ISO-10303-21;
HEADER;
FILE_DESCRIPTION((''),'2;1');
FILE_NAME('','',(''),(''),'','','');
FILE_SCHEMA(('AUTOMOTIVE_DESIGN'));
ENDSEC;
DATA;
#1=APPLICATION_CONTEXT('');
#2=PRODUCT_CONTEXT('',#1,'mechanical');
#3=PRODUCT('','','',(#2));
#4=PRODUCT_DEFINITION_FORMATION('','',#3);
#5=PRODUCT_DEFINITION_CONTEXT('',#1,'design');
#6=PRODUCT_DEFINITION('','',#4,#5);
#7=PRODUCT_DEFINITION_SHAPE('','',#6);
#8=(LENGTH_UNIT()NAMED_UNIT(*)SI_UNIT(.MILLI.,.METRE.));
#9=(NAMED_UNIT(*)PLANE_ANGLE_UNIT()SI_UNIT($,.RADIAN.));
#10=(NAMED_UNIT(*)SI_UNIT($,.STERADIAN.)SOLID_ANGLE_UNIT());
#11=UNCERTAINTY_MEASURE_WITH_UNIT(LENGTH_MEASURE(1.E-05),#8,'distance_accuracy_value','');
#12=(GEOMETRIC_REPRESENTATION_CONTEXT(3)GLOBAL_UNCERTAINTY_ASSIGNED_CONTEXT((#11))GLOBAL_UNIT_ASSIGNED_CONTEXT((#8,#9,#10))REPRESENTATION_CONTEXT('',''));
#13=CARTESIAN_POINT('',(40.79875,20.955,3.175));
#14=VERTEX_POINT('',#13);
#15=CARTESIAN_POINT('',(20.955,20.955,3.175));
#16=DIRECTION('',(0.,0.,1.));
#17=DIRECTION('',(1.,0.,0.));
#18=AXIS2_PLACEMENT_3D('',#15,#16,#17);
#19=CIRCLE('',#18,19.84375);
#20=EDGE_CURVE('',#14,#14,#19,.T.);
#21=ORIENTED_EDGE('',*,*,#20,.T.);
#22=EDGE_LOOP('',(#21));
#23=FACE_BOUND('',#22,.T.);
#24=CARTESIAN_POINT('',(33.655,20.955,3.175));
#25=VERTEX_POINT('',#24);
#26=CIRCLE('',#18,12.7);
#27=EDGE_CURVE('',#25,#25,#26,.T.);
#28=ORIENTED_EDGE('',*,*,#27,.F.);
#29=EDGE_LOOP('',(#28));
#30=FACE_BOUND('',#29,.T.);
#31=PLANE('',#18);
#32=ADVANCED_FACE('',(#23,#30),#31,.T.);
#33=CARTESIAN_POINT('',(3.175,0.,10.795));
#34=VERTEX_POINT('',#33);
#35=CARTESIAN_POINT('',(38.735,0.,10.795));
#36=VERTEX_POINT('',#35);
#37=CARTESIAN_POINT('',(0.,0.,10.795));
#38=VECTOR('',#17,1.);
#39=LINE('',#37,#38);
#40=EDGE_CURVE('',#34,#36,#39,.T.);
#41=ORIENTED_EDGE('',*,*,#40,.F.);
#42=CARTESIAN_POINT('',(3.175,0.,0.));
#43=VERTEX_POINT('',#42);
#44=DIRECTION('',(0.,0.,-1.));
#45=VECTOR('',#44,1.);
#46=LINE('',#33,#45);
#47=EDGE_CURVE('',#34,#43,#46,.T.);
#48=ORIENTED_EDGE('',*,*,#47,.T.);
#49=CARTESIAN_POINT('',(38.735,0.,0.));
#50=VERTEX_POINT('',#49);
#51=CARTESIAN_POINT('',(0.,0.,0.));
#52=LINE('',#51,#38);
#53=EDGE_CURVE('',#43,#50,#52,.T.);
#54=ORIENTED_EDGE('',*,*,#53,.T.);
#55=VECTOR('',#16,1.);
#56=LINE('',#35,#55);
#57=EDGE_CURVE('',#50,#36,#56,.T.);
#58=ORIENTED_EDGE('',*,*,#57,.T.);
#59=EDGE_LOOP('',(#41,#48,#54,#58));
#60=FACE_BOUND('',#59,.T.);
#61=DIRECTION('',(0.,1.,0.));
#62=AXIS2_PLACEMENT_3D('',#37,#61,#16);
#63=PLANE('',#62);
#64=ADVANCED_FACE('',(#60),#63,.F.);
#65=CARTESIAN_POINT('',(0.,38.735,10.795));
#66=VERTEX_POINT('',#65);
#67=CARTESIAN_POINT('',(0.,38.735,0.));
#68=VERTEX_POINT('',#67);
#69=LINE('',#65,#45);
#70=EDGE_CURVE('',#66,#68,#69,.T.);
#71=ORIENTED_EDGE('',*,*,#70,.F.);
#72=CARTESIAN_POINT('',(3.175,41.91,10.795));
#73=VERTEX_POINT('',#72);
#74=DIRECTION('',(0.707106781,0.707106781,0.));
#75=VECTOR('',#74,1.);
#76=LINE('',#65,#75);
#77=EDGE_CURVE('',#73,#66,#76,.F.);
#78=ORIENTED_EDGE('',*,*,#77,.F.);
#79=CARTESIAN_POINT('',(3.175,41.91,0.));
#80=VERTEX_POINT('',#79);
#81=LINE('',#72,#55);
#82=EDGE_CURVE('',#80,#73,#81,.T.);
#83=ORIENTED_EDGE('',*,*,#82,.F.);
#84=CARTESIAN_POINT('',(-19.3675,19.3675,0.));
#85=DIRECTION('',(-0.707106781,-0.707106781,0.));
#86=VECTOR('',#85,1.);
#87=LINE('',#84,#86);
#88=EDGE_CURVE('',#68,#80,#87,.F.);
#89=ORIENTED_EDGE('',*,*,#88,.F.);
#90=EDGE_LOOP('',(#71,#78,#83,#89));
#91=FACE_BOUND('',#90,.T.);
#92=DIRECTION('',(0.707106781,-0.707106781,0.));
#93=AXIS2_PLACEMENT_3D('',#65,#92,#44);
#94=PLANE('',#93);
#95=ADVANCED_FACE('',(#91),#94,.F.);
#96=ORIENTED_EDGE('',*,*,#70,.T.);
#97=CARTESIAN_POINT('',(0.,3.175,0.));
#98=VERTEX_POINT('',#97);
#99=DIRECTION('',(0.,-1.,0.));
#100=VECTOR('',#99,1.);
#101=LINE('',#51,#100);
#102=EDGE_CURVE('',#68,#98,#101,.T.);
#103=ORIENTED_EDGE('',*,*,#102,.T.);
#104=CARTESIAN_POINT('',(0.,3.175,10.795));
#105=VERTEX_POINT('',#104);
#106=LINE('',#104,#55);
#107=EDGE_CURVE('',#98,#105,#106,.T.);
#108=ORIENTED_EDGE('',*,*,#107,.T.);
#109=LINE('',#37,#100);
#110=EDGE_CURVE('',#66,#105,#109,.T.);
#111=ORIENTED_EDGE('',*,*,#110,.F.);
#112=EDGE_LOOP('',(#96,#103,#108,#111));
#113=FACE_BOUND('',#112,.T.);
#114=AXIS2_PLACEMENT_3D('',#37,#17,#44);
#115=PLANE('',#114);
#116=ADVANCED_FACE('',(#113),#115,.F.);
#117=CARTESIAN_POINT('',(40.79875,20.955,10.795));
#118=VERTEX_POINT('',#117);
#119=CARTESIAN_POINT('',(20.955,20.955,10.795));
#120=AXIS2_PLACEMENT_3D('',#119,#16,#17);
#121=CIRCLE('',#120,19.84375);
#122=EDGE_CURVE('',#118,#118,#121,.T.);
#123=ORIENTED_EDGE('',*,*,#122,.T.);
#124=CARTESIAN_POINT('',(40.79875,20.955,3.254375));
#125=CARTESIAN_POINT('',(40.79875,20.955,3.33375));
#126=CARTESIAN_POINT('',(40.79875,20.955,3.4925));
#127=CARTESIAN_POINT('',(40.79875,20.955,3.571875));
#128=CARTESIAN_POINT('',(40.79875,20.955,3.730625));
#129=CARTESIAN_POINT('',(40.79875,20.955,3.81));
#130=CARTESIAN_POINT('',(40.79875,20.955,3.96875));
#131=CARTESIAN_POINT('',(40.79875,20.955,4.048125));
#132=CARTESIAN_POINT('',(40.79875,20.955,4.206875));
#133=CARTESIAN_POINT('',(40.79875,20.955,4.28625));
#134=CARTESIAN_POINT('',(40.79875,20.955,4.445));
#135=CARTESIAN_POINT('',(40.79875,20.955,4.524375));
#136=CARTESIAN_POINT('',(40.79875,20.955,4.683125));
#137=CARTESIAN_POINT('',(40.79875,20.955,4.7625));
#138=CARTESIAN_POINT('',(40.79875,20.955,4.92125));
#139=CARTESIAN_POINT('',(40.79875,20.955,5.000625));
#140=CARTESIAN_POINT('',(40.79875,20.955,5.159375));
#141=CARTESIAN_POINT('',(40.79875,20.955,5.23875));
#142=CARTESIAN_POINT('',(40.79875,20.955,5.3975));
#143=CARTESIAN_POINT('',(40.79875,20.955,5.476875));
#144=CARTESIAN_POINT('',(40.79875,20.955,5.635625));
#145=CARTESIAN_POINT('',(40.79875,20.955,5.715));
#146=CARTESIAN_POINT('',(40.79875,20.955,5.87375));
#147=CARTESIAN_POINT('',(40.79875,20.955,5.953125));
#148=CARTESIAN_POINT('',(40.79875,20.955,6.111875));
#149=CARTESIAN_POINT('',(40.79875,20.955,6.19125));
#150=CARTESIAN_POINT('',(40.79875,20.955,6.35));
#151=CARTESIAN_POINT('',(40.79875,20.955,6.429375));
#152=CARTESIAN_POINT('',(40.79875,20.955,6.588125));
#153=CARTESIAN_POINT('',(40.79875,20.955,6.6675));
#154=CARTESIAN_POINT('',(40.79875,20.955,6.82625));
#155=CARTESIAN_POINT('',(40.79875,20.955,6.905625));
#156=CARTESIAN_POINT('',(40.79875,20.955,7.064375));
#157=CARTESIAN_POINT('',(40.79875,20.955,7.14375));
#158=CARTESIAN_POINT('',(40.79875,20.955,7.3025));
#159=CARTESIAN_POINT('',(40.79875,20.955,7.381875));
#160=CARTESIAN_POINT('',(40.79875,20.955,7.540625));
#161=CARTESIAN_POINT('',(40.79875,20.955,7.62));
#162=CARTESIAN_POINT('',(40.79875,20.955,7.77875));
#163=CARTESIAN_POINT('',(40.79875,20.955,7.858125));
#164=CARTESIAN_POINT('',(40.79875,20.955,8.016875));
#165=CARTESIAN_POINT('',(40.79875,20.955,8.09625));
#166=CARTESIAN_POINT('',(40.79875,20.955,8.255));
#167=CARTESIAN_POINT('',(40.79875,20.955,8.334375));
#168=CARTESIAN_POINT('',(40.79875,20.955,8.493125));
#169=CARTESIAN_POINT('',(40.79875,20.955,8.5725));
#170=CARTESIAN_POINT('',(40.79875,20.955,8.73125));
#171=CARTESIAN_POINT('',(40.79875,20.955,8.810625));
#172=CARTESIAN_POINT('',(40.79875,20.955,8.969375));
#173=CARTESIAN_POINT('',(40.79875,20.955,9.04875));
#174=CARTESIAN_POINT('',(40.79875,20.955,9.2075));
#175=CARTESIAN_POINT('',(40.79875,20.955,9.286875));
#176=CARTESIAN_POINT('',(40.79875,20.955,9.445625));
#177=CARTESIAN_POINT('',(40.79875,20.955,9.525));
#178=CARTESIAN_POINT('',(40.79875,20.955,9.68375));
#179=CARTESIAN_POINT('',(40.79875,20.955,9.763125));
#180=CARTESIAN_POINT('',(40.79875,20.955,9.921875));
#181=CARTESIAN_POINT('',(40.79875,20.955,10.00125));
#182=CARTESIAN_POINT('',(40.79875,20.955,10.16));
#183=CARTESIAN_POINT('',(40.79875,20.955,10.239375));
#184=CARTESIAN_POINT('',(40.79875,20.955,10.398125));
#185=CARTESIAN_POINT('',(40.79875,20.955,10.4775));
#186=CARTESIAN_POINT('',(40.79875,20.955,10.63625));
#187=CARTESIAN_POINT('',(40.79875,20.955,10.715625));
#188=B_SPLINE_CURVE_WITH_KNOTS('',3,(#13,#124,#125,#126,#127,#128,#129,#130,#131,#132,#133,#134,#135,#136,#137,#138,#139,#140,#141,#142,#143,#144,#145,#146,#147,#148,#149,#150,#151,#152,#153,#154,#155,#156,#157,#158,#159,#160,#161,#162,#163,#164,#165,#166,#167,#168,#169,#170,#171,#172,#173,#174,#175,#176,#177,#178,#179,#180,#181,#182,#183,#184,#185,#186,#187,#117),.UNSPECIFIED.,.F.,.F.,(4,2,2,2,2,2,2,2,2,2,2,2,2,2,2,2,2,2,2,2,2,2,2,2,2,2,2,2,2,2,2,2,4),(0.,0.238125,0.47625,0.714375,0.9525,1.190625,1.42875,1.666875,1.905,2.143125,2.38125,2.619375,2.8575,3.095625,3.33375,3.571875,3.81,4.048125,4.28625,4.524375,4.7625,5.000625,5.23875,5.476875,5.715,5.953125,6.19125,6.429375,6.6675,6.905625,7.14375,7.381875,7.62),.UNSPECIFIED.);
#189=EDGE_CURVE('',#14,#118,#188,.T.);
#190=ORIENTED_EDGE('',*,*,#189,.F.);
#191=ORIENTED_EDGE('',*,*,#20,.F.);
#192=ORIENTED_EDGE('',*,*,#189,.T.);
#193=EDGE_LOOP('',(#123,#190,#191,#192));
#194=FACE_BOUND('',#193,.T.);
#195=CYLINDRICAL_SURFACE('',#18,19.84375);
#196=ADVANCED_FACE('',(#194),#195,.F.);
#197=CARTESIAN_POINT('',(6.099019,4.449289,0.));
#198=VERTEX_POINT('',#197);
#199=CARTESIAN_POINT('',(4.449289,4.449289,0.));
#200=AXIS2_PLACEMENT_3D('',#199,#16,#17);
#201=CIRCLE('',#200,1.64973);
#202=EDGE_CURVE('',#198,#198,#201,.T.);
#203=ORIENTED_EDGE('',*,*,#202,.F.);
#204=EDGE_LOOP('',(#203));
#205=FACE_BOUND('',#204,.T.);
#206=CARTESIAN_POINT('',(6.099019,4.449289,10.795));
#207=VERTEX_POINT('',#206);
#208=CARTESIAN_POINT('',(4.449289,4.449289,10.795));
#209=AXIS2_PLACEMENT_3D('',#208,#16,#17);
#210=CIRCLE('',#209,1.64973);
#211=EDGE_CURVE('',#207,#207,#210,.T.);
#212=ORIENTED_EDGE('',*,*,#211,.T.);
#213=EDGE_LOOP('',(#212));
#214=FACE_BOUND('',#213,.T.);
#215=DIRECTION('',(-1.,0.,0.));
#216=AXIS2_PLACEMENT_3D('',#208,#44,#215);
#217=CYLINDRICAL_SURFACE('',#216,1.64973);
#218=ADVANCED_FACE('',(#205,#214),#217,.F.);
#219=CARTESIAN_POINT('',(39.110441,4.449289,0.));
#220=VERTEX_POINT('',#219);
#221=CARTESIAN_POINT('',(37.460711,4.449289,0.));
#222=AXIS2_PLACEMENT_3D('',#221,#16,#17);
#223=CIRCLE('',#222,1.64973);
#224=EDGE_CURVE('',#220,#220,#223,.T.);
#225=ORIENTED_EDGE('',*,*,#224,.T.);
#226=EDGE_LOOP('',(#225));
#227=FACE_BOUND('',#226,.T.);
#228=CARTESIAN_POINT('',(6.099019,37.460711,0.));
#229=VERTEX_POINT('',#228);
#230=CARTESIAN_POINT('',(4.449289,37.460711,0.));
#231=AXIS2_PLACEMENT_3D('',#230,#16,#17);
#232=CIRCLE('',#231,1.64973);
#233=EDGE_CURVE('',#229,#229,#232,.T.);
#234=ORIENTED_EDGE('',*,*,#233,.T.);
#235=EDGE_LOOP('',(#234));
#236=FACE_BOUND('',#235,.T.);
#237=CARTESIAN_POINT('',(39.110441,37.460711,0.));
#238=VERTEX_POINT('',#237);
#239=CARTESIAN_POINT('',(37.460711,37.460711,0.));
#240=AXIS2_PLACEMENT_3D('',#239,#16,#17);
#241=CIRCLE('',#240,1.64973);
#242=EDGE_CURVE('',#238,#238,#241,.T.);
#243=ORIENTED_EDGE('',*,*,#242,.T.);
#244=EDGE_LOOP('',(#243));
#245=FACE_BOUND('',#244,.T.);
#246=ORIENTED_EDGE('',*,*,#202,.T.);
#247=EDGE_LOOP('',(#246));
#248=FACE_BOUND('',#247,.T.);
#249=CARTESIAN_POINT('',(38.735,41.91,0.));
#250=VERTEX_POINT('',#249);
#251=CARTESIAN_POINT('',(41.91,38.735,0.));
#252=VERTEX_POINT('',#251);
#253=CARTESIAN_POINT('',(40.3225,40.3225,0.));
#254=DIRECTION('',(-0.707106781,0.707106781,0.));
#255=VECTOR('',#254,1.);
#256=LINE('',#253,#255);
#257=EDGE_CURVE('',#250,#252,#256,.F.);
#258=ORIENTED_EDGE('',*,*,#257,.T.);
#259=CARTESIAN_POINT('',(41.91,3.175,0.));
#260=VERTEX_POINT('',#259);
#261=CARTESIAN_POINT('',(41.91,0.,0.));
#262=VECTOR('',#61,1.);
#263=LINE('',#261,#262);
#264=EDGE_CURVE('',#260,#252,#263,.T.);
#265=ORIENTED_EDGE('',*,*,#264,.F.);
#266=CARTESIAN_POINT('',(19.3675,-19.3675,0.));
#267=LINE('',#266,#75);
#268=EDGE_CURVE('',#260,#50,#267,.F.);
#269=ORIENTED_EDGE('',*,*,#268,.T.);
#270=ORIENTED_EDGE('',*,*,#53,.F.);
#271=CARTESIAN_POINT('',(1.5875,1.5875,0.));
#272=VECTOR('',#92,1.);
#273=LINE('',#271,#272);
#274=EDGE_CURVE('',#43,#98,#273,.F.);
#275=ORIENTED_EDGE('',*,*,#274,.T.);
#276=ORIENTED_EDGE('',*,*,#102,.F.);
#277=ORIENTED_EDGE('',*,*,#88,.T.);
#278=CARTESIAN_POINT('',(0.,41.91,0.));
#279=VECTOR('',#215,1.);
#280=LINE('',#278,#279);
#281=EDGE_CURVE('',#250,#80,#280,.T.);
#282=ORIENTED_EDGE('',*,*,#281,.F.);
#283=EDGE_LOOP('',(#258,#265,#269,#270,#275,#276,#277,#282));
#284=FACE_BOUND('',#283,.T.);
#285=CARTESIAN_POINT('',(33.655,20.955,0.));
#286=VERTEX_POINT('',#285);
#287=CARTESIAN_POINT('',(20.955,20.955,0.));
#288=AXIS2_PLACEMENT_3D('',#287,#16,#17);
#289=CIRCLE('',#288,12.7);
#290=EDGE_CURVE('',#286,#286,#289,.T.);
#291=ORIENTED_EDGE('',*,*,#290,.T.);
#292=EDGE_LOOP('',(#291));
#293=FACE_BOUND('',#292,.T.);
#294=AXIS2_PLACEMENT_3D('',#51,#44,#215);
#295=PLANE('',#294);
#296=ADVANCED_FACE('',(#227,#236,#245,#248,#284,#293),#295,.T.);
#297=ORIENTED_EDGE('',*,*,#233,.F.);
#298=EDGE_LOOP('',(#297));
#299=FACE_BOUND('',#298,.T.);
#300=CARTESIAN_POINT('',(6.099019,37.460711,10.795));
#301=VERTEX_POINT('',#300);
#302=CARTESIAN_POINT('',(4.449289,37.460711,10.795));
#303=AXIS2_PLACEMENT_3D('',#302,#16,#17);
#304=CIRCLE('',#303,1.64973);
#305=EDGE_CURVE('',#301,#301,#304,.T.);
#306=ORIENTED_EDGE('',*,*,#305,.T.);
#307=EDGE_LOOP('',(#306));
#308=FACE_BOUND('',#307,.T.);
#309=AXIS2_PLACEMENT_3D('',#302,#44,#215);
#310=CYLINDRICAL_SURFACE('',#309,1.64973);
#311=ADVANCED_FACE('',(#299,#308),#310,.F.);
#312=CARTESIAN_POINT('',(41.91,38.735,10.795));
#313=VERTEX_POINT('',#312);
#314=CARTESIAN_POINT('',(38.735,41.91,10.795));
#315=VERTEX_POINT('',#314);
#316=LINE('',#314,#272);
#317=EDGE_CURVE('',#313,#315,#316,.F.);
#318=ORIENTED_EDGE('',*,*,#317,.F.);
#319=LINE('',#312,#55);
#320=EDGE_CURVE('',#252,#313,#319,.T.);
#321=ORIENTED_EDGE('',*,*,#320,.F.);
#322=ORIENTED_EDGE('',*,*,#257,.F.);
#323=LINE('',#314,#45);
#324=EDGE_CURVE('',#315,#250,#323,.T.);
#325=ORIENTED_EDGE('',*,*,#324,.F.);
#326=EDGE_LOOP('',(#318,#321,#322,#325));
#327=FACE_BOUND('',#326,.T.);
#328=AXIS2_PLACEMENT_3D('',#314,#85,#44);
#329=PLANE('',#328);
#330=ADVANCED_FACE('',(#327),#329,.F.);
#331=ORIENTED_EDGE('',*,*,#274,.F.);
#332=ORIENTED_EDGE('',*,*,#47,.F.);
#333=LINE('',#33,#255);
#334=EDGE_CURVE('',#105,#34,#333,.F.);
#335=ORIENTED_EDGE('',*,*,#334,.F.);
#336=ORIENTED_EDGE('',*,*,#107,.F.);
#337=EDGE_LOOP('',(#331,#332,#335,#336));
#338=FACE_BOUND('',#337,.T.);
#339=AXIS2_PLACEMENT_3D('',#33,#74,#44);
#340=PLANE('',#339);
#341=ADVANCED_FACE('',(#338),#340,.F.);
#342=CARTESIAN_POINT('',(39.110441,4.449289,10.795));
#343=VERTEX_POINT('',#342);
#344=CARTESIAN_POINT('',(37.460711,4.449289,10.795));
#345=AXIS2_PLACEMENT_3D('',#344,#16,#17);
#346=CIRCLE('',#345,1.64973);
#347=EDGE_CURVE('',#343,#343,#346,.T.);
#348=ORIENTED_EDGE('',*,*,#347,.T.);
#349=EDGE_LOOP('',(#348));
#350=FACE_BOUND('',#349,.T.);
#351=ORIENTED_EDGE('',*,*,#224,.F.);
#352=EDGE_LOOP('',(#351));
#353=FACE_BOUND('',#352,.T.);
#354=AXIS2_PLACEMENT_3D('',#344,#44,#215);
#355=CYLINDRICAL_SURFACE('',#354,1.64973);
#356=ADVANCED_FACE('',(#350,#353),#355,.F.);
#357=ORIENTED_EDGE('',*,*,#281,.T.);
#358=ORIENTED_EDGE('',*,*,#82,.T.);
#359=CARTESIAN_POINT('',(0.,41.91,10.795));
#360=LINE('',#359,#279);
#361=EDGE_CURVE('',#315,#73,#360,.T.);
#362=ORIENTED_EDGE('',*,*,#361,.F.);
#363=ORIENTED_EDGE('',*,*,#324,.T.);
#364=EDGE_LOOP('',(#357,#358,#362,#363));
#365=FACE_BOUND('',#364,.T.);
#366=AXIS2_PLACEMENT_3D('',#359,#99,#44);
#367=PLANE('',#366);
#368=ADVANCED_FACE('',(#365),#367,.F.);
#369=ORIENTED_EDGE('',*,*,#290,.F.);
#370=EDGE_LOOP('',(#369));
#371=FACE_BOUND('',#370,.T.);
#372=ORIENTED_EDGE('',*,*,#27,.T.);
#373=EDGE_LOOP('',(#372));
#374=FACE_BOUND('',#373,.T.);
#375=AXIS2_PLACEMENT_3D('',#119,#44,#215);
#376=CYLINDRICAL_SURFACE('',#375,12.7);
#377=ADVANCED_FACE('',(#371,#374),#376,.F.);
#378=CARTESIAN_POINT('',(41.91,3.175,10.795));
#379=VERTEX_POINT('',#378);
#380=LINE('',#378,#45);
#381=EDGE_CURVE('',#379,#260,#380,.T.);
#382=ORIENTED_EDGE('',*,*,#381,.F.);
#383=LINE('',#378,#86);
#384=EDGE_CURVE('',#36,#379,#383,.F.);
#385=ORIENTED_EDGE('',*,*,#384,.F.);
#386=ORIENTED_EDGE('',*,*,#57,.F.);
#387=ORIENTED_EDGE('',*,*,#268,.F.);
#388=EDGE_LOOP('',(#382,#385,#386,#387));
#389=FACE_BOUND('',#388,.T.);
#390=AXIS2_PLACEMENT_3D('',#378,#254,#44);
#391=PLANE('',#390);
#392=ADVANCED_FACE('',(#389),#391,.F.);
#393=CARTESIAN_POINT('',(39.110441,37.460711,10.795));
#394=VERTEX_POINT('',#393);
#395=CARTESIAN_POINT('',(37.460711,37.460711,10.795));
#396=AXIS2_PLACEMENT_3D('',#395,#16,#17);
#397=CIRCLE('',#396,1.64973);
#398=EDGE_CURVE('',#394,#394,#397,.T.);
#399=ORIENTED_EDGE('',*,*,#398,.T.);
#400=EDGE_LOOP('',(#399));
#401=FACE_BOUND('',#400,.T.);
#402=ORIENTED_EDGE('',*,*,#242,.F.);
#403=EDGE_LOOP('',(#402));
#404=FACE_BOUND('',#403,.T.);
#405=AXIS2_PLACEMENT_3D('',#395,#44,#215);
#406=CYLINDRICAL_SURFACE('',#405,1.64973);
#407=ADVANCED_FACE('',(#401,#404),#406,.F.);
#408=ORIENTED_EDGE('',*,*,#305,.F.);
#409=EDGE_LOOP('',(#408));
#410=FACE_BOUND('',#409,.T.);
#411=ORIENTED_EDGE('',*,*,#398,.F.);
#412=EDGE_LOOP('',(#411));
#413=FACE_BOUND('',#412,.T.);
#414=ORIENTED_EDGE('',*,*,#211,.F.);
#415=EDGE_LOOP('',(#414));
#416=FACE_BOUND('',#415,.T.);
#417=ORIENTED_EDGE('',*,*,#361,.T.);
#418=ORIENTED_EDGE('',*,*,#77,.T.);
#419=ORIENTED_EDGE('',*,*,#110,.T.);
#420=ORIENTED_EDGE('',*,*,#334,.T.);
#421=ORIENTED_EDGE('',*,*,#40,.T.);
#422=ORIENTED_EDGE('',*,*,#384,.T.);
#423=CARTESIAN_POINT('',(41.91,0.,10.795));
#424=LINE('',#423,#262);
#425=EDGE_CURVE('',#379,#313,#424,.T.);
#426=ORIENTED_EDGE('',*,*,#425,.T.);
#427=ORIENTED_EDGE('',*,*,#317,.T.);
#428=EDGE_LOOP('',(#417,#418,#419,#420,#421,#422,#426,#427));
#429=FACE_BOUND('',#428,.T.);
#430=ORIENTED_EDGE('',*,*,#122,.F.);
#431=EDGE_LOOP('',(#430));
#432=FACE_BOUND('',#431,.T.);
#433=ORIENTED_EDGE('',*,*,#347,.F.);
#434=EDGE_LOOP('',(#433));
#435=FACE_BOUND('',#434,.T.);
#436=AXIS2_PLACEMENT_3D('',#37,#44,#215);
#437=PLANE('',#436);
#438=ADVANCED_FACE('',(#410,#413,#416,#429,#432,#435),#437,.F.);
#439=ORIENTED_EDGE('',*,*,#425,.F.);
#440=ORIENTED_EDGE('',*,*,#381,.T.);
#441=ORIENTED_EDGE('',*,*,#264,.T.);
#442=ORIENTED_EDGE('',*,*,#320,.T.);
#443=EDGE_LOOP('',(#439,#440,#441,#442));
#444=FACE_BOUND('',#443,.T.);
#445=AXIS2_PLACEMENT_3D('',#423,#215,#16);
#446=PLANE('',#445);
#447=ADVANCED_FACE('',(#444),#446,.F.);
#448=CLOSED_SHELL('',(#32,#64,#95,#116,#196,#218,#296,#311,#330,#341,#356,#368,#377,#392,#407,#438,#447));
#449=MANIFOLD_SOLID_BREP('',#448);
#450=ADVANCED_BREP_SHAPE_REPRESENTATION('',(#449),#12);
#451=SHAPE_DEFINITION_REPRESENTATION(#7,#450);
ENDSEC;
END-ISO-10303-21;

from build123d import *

# Parameters (mm, degrees)
SKETCH1_W           = 41.91
SKETCH1_H           = 41.91
SKETCH1_R           = 1.64973
SKETCH1_R_2         = 12.7
BOSS_EXTRUDE1_DEPTH = 10.795
SKETCH3_R           = 19.84375
CUT_EXTRUDE2_DEPTH  = 7.62
CHAMFER1_SIZE       = 3.175


with BuildPart() as part:
    # Sketch1 → Boss-Extrude1 (new body)
    with BuildSketch(Plane.XY):
        with Locations((20.955, 20.955)):
            Rectangle(SKETCH1_W, SKETCH1_H)
        with Locations((37.460710751, 37.460710751)):
            Circle(SKETCH1_R, mode=Mode.SUBTRACT)
        with Locations((37.460710751, 4.449289249)):
            Circle(SKETCH1_R, mode=Mode.SUBTRACT)
        with Locations((4.449289249, 4.449289249)):
            Circle(SKETCH1_R, mode=Mode.SUBTRACT)
        with Locations((4.449289249, 37.460710751)):
            Circle(SKETCH1_R, mode=Mode.SUBTRACT)
        with Locations((20.955, 20.955)):
            Circle(SKETCH1_R_2, mode=Mode.SUBTRACT)
    extrude(amount=BOSS_EXTRUDE1_DEPTH)

    # Sketch3 → Cut-Extrude2 (cut)
    with BuildSketch(Plane.XY.offset(10.795)):
        with Locations((20.955, 20.955)):
            Circle(SKETCH3_R)
    extrude(amount=-CUT_EXTRUDE2_DEPTH, mode=Mode.SUBTRACT)

    # Chamfer1
    chamfer1_edges = [part.edges().sort_by_distance(p)[0] for p in [
        (0, 41.91, 5.3975),
        (41.91, 41.91, 5.3975),
        (41.91, 0, 5.3975),
        (0, 0, 5.3975),
    ]]
    chamfer(chamfer1_edges, length=CHAMFER1_SIZE)


solid = part.part
